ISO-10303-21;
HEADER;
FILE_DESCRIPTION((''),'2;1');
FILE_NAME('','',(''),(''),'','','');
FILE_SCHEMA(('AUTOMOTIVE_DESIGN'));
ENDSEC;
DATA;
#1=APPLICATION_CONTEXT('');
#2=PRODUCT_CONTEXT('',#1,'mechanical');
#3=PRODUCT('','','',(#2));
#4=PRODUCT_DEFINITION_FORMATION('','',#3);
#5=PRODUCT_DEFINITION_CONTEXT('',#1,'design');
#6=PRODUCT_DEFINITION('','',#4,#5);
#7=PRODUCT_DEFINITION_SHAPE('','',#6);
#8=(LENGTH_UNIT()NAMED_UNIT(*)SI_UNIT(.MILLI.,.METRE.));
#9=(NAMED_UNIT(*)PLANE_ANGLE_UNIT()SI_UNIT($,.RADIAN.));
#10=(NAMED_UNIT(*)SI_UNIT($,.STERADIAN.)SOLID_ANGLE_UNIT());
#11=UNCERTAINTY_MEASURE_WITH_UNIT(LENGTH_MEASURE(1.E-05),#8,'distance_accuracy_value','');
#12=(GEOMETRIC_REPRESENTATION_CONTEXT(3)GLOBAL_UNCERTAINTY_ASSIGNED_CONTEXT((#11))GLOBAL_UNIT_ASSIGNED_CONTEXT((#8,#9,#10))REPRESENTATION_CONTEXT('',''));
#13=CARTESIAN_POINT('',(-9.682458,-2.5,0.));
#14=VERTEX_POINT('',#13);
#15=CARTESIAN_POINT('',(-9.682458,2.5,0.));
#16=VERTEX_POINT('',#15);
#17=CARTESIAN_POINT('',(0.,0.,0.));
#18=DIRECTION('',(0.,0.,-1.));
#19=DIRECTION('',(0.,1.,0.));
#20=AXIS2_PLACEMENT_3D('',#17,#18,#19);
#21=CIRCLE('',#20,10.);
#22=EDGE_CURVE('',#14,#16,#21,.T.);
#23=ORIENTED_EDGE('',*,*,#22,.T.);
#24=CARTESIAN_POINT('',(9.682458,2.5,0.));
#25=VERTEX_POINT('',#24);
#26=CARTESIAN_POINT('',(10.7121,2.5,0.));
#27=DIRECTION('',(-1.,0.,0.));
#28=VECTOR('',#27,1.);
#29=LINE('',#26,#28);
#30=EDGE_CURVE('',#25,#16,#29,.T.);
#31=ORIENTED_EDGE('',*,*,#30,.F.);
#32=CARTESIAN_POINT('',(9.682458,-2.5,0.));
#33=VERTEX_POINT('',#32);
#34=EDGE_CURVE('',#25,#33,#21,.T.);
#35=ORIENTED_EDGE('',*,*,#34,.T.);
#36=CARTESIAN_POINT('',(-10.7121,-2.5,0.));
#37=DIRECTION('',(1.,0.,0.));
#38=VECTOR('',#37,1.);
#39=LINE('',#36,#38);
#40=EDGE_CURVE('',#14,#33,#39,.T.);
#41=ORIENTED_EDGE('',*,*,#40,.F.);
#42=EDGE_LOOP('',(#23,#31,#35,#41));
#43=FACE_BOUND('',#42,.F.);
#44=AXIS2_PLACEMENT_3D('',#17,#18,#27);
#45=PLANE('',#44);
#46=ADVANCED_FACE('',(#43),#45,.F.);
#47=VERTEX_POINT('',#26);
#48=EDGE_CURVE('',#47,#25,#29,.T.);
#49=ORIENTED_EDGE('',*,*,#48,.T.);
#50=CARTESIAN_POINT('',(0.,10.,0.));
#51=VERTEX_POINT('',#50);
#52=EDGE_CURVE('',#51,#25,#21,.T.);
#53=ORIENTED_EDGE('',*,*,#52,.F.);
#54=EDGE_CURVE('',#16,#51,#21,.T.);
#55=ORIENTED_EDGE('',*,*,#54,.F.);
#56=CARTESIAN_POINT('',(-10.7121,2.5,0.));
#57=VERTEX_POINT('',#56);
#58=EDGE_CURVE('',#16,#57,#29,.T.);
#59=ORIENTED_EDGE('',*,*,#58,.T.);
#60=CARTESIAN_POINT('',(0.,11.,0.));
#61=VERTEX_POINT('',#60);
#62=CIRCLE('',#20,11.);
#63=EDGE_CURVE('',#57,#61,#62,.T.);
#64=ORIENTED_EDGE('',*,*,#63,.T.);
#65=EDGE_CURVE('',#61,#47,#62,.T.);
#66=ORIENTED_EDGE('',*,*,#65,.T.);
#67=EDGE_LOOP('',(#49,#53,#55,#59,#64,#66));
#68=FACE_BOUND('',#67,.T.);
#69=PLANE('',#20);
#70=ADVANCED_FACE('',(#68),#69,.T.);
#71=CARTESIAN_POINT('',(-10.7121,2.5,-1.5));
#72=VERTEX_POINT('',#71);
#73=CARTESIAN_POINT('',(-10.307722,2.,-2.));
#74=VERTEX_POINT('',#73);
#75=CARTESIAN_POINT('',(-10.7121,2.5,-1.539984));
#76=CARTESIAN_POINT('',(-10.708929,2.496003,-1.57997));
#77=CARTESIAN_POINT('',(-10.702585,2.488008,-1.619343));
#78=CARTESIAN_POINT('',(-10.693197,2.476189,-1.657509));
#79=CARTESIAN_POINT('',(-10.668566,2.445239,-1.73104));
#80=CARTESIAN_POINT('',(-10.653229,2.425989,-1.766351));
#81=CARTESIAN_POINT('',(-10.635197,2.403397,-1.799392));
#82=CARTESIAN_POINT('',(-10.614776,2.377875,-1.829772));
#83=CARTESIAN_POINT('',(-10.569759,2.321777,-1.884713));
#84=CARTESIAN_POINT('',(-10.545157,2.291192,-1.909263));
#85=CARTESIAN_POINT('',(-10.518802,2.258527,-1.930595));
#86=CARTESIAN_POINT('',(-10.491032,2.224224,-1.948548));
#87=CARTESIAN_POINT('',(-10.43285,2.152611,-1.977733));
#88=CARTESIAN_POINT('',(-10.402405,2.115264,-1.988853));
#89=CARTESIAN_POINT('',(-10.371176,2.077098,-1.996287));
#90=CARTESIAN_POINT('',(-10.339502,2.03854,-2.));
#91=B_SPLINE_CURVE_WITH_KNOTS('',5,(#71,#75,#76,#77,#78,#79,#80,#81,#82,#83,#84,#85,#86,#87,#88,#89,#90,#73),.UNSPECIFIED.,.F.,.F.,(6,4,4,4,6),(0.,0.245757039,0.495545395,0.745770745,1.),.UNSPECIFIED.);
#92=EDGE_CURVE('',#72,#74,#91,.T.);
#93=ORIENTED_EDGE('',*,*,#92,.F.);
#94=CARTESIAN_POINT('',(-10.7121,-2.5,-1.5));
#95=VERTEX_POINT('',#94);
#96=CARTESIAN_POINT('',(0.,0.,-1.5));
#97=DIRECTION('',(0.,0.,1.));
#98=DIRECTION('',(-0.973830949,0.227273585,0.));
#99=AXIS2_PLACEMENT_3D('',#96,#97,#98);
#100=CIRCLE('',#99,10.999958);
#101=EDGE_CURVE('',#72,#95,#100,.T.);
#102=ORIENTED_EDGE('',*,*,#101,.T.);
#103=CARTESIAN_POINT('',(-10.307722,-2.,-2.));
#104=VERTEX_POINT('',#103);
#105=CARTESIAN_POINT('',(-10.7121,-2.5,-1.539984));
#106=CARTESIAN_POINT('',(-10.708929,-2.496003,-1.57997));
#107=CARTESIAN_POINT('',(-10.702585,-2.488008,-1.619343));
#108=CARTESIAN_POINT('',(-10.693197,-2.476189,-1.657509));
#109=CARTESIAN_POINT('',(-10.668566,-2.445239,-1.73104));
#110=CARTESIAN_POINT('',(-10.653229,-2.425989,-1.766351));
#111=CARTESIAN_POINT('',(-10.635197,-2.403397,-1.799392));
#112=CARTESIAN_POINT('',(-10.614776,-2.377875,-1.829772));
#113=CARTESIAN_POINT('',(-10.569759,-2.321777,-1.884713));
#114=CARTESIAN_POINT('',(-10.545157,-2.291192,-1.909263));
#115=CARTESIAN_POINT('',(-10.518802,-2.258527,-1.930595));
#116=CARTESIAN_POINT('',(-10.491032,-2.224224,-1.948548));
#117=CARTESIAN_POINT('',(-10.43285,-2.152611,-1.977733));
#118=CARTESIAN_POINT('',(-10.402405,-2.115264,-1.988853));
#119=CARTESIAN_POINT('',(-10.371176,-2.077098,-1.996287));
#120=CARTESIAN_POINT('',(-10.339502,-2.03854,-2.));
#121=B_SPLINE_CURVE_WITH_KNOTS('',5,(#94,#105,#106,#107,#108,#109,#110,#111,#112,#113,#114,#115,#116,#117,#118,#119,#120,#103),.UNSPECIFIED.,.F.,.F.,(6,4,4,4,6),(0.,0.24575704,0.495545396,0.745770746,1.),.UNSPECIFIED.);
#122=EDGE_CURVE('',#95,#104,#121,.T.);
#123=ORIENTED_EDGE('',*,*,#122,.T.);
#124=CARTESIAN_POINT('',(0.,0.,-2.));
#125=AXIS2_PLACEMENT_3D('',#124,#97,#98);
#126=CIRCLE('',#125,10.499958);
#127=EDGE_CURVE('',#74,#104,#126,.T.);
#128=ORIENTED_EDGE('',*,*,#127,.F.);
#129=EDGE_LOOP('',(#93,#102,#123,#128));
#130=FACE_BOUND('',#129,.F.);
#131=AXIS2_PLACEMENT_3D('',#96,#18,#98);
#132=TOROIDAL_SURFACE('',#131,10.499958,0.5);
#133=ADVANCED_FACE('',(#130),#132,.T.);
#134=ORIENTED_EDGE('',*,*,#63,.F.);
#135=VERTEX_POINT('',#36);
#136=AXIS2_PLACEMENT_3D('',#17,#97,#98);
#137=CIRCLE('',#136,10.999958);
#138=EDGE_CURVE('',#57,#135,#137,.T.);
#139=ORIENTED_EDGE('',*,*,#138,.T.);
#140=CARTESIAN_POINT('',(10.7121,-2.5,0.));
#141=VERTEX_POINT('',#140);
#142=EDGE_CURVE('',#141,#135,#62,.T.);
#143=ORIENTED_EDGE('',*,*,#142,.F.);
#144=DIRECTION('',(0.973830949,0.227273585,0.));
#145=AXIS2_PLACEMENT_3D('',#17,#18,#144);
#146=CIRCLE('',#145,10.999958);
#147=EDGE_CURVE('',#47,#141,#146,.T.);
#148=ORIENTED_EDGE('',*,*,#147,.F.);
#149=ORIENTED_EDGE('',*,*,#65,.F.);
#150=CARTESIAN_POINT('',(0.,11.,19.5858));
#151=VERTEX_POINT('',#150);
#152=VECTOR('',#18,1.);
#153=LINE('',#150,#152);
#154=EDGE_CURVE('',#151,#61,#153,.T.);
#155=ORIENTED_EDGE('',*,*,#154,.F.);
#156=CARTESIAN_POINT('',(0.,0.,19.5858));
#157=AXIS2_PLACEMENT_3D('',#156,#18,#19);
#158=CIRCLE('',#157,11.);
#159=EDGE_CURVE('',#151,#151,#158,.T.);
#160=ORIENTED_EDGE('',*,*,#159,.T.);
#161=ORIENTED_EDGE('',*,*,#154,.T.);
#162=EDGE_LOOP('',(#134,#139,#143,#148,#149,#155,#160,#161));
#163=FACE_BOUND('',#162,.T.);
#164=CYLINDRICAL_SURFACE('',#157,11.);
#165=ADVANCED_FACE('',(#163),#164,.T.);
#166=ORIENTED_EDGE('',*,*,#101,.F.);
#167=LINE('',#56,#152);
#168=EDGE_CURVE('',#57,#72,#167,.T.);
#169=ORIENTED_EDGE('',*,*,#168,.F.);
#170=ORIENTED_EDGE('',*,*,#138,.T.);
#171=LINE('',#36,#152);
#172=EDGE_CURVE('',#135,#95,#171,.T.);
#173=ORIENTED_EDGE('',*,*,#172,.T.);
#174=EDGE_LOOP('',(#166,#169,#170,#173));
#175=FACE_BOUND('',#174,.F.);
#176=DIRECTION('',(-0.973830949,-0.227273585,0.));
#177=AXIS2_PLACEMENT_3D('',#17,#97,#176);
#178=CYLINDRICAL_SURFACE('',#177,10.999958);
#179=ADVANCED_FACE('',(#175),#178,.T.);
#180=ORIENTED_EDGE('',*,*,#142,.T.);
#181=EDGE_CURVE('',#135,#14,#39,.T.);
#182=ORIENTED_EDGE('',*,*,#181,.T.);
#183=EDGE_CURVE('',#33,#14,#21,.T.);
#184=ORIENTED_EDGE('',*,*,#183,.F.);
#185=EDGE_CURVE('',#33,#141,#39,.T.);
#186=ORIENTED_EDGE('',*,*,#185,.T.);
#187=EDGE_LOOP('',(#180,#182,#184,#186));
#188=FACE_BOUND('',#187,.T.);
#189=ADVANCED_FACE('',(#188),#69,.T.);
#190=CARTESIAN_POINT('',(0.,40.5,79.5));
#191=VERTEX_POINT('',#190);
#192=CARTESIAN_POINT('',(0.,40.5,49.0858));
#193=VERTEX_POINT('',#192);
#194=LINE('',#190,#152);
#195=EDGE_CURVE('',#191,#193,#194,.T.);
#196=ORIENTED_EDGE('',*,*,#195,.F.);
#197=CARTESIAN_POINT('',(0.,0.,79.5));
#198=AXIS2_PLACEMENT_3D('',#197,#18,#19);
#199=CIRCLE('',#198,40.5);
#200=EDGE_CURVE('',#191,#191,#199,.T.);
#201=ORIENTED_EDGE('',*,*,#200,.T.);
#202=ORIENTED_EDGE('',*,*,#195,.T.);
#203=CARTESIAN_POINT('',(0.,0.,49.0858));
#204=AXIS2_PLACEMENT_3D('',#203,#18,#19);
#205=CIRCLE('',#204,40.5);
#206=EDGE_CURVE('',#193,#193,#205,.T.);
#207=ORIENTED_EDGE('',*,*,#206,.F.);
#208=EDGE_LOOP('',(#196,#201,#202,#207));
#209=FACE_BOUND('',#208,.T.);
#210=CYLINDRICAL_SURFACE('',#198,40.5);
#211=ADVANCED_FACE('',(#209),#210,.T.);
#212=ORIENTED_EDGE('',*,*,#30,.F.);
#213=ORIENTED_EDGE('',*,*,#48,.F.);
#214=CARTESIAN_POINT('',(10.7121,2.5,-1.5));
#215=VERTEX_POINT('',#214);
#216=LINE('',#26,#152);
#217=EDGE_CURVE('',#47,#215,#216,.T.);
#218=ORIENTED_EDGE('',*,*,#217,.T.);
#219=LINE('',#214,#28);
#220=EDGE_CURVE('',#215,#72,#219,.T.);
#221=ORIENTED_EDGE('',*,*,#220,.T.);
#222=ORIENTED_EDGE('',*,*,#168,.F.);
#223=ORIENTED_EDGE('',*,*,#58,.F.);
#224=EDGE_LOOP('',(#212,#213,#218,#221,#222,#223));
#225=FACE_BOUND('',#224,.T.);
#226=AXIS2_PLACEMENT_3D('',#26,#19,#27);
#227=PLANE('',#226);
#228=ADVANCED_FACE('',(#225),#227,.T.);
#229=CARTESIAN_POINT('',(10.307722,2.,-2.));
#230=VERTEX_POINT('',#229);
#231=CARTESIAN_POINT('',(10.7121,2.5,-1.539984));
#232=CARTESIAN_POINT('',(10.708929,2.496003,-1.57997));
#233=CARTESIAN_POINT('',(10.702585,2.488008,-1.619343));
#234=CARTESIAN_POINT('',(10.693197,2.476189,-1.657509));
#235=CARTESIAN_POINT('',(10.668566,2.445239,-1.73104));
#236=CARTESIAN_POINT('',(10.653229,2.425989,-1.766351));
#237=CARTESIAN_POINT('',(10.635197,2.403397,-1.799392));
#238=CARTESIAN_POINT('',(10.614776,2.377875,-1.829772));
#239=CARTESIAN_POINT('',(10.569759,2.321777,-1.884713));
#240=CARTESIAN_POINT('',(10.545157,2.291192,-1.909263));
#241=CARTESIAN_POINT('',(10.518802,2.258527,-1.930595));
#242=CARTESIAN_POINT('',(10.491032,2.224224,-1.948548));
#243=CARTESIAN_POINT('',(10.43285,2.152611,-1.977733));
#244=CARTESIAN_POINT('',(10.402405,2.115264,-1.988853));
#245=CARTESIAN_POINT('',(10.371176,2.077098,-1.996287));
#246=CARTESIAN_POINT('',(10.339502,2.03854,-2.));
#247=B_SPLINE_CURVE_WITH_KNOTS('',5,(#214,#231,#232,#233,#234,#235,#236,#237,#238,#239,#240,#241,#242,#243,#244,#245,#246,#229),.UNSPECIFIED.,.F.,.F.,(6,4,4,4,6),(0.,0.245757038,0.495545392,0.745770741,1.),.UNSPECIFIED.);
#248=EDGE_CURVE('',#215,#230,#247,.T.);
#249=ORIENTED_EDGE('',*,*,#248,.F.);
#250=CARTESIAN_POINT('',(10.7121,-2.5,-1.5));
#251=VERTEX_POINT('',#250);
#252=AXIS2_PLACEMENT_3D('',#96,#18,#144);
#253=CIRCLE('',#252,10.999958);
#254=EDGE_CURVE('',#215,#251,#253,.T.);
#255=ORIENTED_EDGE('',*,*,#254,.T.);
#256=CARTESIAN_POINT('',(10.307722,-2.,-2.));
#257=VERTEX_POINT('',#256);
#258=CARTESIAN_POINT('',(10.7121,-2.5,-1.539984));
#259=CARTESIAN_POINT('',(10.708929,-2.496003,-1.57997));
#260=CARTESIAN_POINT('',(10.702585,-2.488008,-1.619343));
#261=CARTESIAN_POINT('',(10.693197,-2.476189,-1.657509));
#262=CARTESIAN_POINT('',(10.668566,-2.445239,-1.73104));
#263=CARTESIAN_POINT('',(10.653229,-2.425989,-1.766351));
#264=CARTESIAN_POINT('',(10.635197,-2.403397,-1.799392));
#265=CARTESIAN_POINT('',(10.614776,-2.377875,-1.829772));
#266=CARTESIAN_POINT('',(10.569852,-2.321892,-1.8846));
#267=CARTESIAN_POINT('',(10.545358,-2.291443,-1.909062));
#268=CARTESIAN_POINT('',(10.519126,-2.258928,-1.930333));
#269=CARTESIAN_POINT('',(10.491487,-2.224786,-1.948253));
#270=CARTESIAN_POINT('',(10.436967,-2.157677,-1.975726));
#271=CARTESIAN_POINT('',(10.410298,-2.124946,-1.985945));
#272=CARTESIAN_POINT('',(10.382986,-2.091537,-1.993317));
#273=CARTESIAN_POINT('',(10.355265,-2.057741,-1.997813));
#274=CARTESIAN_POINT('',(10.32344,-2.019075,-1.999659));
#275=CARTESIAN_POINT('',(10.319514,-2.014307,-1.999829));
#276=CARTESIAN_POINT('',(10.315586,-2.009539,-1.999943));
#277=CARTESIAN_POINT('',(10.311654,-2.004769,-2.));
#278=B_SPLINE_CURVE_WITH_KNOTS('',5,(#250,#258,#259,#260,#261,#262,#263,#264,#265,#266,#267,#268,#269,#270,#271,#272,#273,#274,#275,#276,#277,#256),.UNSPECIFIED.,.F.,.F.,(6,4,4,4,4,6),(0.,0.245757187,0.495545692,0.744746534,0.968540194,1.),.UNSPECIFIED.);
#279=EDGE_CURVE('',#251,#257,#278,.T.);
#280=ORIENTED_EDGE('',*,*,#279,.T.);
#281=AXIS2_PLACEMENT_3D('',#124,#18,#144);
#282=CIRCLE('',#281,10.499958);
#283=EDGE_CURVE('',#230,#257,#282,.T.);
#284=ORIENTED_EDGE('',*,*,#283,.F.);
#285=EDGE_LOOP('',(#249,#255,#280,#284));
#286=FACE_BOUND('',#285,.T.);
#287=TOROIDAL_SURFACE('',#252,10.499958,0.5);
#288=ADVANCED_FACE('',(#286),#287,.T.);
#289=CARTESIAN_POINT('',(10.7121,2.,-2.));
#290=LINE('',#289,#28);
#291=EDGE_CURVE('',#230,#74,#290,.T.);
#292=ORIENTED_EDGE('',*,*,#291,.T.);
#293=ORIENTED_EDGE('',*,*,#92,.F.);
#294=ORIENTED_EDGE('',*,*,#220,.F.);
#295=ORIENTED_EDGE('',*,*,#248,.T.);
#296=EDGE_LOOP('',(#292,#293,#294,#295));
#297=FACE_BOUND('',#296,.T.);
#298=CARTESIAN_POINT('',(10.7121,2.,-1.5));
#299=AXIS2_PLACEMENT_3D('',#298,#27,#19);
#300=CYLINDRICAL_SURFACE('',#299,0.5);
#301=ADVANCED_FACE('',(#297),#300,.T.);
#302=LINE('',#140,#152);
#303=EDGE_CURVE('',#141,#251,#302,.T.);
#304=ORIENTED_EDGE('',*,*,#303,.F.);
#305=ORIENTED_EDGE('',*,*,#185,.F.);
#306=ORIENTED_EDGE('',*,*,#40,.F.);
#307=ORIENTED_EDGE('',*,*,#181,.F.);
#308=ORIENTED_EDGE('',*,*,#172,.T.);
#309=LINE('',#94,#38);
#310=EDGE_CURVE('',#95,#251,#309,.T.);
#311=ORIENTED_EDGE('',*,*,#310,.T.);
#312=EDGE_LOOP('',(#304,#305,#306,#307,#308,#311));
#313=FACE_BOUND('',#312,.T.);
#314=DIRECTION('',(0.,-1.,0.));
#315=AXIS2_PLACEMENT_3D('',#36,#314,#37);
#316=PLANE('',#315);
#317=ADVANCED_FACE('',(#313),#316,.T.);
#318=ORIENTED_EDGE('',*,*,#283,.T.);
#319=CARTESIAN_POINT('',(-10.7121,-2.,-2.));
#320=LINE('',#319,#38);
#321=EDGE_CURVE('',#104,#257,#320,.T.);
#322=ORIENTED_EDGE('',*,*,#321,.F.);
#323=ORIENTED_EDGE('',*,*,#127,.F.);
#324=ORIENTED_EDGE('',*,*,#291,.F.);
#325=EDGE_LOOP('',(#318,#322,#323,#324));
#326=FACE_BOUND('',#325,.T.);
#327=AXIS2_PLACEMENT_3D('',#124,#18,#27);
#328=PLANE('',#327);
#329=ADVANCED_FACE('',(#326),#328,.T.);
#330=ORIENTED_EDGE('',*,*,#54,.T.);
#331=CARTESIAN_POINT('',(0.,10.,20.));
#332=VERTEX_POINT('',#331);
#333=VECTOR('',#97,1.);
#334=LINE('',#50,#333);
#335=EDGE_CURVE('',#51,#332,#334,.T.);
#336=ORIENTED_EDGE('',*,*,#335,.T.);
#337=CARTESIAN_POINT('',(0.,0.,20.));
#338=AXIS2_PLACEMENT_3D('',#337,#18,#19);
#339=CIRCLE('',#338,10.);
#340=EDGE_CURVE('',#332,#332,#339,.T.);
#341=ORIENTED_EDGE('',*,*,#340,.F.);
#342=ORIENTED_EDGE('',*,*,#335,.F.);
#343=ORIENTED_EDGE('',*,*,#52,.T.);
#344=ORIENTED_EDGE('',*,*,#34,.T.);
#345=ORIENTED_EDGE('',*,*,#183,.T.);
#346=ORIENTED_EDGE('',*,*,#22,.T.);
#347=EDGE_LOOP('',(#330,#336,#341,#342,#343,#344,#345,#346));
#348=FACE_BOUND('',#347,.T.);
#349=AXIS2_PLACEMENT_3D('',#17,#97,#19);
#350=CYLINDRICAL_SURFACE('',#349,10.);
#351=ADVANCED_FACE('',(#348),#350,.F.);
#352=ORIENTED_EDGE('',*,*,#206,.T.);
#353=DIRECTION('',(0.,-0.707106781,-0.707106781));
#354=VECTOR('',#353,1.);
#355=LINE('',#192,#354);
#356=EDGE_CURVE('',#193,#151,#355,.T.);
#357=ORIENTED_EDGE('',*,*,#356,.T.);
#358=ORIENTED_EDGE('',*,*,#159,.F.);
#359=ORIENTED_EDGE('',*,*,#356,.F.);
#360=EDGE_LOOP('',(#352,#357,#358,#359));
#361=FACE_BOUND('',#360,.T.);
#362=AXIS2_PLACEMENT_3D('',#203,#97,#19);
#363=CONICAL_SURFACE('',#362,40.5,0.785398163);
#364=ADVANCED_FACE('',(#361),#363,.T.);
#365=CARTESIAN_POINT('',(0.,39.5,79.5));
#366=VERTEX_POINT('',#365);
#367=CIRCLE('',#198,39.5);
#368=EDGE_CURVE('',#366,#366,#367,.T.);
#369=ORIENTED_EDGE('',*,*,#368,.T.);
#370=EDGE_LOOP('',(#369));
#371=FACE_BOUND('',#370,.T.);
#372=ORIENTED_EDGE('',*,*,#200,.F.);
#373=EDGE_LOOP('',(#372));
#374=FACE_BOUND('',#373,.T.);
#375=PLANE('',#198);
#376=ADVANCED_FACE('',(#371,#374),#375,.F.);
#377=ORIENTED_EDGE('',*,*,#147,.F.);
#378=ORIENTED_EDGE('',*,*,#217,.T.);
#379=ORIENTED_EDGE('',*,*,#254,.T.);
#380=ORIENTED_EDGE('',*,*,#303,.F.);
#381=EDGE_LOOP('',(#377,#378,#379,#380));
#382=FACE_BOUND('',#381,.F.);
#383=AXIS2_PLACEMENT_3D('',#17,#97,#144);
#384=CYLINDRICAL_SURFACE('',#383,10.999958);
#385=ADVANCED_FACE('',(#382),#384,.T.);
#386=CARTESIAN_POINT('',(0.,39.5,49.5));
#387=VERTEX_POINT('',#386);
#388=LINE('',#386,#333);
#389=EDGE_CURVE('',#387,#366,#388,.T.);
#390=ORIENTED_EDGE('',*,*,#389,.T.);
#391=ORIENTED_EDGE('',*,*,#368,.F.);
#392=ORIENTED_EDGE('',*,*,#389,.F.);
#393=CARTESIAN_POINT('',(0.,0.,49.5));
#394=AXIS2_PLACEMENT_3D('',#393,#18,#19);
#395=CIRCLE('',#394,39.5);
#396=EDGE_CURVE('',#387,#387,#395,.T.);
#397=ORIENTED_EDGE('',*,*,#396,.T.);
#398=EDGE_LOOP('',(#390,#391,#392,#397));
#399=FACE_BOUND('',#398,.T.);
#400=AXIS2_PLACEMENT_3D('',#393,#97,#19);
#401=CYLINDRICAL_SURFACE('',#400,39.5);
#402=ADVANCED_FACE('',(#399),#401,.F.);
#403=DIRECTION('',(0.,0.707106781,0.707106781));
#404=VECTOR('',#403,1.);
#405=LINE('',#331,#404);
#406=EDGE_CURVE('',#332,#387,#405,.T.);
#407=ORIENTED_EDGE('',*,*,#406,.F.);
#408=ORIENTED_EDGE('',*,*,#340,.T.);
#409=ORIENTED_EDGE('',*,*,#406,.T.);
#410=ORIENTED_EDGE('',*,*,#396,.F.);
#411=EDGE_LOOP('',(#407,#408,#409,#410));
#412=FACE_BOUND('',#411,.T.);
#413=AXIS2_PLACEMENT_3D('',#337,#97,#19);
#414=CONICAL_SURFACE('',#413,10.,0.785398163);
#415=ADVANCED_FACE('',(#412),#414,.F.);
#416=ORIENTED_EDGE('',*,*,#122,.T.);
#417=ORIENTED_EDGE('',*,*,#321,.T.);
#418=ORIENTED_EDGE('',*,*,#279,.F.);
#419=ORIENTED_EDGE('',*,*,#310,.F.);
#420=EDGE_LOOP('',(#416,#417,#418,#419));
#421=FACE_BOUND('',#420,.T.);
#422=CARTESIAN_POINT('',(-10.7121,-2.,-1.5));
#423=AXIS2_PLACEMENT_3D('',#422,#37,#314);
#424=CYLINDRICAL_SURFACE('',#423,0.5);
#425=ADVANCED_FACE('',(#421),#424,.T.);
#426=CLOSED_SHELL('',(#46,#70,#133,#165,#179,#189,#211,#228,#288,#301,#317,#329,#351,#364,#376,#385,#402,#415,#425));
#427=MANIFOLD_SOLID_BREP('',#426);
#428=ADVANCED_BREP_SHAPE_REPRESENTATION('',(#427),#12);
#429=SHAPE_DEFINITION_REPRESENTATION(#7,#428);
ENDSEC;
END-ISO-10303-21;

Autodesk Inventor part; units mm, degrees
ref_plane "YZ Plane" through (0, 0, 0) normal (1, 0, 0) x (0, 1, 0)
ref_plane "XZ Plane" through (0, 0, 0) normal (0, 1, 0) x (-1, 0, 0)
ref_plane "XY Plane" through (0, 0, 0) normal (0, 0, 1) x (1, 0, 0)
sketch "Sketch1" plane through (0, 0, 0) normal (1, 0, 0) x (0, 1, 0)
  line L0 (10, 0) -> (10, 20)
  line L1 (10, 20) -> (39.5, 49.5)
  line L2 (39.5, 49.5) -> (39.5, 79.5)
  line L3 (0, 79.5) -> (0, 0) construction
  line L4 (10, 20) -> (10, 79.5) construction
  line L5 (39.5, 79.5) -> (40.5, 79.5)
  line L6 (40.5, 79.5) -> (40.5, 49.0858)
  line L7 (40.5, 49.0858) -> (11, 19.5858)
  line L8 (11, 19.5858) -> (11, 0)
  line L9 (11, 0) -> (10, 0)
  dimension "Outlet_Height" = 20
  dimension "Funnel_Angle" = 45
  dimension "Inlet_Diameter" = 79
  dimension "Outlet_Diameter" = 20
  dimension "d23" = 1
  dimension "d24" = 1
  dimension "d25" = 1
  dimension "Inlet_Height" = 30
revolve "Revolution1" add sketch "Sketch1" angle 360 about axis through (0, 0, 79.5) along (0, 0, -1)
sketch "Sketch4" plane through (0, 0, 0) normal (0, 0, -1) x (-1, 0, 0)
  line L0 (0, 0) -> (-10.7121, 2.5) construction
  line L1 (0, 0) -> (-48.7838, 0) construction
  line L2 (0, 0) -> (-10.7121, -2.5) construction
  arc A0 (-10.7121, 2.5) -> (-10.7121, -2.5) centre (0, 0) ccw
  line L3 (0, 0) -> (0, 13.9156) construction
  arc A1 (10.7121, -2.5) -> (10.7121, 2.5) centre (0, 0) ccw
  line L4 (-10.7121, 2.5) -> (10.7121, 2.5)
  line L5 (10.7121, -2.5) -> (-10.7121, -2.5)
  circle A2 centre (0, 0) radius 11 projected
  dimension "Bridge_Width" = 5
extrude "Extrusion1" add sketch "Sketch4" along normal blind 2 contours L4 A1 L5 A0
sketch "Sketch5" plane through (0, 0, -2) normal (0, 0, -1) x (-1, 0, 0)
  circle A0 centre (0, 0) radius 1.5
  dimension "Bridge_Hole" = 3
extrude "Extrusion2" [suppressed]
fillet "Fillet1" radius 0.5 4 edges at (11, 0, -2) (-11, 0, -2) (0, -2.5, -2) (0, 2.5, -2)
equation "\"d23\" = Wall_Thickness"
equation "\"d24\" = Wall_Thickness"
equation "\"d25\" = Wall_Thickness"
equation "\"Wall_Thickness\" = 1"
properties part number "Funnel"
